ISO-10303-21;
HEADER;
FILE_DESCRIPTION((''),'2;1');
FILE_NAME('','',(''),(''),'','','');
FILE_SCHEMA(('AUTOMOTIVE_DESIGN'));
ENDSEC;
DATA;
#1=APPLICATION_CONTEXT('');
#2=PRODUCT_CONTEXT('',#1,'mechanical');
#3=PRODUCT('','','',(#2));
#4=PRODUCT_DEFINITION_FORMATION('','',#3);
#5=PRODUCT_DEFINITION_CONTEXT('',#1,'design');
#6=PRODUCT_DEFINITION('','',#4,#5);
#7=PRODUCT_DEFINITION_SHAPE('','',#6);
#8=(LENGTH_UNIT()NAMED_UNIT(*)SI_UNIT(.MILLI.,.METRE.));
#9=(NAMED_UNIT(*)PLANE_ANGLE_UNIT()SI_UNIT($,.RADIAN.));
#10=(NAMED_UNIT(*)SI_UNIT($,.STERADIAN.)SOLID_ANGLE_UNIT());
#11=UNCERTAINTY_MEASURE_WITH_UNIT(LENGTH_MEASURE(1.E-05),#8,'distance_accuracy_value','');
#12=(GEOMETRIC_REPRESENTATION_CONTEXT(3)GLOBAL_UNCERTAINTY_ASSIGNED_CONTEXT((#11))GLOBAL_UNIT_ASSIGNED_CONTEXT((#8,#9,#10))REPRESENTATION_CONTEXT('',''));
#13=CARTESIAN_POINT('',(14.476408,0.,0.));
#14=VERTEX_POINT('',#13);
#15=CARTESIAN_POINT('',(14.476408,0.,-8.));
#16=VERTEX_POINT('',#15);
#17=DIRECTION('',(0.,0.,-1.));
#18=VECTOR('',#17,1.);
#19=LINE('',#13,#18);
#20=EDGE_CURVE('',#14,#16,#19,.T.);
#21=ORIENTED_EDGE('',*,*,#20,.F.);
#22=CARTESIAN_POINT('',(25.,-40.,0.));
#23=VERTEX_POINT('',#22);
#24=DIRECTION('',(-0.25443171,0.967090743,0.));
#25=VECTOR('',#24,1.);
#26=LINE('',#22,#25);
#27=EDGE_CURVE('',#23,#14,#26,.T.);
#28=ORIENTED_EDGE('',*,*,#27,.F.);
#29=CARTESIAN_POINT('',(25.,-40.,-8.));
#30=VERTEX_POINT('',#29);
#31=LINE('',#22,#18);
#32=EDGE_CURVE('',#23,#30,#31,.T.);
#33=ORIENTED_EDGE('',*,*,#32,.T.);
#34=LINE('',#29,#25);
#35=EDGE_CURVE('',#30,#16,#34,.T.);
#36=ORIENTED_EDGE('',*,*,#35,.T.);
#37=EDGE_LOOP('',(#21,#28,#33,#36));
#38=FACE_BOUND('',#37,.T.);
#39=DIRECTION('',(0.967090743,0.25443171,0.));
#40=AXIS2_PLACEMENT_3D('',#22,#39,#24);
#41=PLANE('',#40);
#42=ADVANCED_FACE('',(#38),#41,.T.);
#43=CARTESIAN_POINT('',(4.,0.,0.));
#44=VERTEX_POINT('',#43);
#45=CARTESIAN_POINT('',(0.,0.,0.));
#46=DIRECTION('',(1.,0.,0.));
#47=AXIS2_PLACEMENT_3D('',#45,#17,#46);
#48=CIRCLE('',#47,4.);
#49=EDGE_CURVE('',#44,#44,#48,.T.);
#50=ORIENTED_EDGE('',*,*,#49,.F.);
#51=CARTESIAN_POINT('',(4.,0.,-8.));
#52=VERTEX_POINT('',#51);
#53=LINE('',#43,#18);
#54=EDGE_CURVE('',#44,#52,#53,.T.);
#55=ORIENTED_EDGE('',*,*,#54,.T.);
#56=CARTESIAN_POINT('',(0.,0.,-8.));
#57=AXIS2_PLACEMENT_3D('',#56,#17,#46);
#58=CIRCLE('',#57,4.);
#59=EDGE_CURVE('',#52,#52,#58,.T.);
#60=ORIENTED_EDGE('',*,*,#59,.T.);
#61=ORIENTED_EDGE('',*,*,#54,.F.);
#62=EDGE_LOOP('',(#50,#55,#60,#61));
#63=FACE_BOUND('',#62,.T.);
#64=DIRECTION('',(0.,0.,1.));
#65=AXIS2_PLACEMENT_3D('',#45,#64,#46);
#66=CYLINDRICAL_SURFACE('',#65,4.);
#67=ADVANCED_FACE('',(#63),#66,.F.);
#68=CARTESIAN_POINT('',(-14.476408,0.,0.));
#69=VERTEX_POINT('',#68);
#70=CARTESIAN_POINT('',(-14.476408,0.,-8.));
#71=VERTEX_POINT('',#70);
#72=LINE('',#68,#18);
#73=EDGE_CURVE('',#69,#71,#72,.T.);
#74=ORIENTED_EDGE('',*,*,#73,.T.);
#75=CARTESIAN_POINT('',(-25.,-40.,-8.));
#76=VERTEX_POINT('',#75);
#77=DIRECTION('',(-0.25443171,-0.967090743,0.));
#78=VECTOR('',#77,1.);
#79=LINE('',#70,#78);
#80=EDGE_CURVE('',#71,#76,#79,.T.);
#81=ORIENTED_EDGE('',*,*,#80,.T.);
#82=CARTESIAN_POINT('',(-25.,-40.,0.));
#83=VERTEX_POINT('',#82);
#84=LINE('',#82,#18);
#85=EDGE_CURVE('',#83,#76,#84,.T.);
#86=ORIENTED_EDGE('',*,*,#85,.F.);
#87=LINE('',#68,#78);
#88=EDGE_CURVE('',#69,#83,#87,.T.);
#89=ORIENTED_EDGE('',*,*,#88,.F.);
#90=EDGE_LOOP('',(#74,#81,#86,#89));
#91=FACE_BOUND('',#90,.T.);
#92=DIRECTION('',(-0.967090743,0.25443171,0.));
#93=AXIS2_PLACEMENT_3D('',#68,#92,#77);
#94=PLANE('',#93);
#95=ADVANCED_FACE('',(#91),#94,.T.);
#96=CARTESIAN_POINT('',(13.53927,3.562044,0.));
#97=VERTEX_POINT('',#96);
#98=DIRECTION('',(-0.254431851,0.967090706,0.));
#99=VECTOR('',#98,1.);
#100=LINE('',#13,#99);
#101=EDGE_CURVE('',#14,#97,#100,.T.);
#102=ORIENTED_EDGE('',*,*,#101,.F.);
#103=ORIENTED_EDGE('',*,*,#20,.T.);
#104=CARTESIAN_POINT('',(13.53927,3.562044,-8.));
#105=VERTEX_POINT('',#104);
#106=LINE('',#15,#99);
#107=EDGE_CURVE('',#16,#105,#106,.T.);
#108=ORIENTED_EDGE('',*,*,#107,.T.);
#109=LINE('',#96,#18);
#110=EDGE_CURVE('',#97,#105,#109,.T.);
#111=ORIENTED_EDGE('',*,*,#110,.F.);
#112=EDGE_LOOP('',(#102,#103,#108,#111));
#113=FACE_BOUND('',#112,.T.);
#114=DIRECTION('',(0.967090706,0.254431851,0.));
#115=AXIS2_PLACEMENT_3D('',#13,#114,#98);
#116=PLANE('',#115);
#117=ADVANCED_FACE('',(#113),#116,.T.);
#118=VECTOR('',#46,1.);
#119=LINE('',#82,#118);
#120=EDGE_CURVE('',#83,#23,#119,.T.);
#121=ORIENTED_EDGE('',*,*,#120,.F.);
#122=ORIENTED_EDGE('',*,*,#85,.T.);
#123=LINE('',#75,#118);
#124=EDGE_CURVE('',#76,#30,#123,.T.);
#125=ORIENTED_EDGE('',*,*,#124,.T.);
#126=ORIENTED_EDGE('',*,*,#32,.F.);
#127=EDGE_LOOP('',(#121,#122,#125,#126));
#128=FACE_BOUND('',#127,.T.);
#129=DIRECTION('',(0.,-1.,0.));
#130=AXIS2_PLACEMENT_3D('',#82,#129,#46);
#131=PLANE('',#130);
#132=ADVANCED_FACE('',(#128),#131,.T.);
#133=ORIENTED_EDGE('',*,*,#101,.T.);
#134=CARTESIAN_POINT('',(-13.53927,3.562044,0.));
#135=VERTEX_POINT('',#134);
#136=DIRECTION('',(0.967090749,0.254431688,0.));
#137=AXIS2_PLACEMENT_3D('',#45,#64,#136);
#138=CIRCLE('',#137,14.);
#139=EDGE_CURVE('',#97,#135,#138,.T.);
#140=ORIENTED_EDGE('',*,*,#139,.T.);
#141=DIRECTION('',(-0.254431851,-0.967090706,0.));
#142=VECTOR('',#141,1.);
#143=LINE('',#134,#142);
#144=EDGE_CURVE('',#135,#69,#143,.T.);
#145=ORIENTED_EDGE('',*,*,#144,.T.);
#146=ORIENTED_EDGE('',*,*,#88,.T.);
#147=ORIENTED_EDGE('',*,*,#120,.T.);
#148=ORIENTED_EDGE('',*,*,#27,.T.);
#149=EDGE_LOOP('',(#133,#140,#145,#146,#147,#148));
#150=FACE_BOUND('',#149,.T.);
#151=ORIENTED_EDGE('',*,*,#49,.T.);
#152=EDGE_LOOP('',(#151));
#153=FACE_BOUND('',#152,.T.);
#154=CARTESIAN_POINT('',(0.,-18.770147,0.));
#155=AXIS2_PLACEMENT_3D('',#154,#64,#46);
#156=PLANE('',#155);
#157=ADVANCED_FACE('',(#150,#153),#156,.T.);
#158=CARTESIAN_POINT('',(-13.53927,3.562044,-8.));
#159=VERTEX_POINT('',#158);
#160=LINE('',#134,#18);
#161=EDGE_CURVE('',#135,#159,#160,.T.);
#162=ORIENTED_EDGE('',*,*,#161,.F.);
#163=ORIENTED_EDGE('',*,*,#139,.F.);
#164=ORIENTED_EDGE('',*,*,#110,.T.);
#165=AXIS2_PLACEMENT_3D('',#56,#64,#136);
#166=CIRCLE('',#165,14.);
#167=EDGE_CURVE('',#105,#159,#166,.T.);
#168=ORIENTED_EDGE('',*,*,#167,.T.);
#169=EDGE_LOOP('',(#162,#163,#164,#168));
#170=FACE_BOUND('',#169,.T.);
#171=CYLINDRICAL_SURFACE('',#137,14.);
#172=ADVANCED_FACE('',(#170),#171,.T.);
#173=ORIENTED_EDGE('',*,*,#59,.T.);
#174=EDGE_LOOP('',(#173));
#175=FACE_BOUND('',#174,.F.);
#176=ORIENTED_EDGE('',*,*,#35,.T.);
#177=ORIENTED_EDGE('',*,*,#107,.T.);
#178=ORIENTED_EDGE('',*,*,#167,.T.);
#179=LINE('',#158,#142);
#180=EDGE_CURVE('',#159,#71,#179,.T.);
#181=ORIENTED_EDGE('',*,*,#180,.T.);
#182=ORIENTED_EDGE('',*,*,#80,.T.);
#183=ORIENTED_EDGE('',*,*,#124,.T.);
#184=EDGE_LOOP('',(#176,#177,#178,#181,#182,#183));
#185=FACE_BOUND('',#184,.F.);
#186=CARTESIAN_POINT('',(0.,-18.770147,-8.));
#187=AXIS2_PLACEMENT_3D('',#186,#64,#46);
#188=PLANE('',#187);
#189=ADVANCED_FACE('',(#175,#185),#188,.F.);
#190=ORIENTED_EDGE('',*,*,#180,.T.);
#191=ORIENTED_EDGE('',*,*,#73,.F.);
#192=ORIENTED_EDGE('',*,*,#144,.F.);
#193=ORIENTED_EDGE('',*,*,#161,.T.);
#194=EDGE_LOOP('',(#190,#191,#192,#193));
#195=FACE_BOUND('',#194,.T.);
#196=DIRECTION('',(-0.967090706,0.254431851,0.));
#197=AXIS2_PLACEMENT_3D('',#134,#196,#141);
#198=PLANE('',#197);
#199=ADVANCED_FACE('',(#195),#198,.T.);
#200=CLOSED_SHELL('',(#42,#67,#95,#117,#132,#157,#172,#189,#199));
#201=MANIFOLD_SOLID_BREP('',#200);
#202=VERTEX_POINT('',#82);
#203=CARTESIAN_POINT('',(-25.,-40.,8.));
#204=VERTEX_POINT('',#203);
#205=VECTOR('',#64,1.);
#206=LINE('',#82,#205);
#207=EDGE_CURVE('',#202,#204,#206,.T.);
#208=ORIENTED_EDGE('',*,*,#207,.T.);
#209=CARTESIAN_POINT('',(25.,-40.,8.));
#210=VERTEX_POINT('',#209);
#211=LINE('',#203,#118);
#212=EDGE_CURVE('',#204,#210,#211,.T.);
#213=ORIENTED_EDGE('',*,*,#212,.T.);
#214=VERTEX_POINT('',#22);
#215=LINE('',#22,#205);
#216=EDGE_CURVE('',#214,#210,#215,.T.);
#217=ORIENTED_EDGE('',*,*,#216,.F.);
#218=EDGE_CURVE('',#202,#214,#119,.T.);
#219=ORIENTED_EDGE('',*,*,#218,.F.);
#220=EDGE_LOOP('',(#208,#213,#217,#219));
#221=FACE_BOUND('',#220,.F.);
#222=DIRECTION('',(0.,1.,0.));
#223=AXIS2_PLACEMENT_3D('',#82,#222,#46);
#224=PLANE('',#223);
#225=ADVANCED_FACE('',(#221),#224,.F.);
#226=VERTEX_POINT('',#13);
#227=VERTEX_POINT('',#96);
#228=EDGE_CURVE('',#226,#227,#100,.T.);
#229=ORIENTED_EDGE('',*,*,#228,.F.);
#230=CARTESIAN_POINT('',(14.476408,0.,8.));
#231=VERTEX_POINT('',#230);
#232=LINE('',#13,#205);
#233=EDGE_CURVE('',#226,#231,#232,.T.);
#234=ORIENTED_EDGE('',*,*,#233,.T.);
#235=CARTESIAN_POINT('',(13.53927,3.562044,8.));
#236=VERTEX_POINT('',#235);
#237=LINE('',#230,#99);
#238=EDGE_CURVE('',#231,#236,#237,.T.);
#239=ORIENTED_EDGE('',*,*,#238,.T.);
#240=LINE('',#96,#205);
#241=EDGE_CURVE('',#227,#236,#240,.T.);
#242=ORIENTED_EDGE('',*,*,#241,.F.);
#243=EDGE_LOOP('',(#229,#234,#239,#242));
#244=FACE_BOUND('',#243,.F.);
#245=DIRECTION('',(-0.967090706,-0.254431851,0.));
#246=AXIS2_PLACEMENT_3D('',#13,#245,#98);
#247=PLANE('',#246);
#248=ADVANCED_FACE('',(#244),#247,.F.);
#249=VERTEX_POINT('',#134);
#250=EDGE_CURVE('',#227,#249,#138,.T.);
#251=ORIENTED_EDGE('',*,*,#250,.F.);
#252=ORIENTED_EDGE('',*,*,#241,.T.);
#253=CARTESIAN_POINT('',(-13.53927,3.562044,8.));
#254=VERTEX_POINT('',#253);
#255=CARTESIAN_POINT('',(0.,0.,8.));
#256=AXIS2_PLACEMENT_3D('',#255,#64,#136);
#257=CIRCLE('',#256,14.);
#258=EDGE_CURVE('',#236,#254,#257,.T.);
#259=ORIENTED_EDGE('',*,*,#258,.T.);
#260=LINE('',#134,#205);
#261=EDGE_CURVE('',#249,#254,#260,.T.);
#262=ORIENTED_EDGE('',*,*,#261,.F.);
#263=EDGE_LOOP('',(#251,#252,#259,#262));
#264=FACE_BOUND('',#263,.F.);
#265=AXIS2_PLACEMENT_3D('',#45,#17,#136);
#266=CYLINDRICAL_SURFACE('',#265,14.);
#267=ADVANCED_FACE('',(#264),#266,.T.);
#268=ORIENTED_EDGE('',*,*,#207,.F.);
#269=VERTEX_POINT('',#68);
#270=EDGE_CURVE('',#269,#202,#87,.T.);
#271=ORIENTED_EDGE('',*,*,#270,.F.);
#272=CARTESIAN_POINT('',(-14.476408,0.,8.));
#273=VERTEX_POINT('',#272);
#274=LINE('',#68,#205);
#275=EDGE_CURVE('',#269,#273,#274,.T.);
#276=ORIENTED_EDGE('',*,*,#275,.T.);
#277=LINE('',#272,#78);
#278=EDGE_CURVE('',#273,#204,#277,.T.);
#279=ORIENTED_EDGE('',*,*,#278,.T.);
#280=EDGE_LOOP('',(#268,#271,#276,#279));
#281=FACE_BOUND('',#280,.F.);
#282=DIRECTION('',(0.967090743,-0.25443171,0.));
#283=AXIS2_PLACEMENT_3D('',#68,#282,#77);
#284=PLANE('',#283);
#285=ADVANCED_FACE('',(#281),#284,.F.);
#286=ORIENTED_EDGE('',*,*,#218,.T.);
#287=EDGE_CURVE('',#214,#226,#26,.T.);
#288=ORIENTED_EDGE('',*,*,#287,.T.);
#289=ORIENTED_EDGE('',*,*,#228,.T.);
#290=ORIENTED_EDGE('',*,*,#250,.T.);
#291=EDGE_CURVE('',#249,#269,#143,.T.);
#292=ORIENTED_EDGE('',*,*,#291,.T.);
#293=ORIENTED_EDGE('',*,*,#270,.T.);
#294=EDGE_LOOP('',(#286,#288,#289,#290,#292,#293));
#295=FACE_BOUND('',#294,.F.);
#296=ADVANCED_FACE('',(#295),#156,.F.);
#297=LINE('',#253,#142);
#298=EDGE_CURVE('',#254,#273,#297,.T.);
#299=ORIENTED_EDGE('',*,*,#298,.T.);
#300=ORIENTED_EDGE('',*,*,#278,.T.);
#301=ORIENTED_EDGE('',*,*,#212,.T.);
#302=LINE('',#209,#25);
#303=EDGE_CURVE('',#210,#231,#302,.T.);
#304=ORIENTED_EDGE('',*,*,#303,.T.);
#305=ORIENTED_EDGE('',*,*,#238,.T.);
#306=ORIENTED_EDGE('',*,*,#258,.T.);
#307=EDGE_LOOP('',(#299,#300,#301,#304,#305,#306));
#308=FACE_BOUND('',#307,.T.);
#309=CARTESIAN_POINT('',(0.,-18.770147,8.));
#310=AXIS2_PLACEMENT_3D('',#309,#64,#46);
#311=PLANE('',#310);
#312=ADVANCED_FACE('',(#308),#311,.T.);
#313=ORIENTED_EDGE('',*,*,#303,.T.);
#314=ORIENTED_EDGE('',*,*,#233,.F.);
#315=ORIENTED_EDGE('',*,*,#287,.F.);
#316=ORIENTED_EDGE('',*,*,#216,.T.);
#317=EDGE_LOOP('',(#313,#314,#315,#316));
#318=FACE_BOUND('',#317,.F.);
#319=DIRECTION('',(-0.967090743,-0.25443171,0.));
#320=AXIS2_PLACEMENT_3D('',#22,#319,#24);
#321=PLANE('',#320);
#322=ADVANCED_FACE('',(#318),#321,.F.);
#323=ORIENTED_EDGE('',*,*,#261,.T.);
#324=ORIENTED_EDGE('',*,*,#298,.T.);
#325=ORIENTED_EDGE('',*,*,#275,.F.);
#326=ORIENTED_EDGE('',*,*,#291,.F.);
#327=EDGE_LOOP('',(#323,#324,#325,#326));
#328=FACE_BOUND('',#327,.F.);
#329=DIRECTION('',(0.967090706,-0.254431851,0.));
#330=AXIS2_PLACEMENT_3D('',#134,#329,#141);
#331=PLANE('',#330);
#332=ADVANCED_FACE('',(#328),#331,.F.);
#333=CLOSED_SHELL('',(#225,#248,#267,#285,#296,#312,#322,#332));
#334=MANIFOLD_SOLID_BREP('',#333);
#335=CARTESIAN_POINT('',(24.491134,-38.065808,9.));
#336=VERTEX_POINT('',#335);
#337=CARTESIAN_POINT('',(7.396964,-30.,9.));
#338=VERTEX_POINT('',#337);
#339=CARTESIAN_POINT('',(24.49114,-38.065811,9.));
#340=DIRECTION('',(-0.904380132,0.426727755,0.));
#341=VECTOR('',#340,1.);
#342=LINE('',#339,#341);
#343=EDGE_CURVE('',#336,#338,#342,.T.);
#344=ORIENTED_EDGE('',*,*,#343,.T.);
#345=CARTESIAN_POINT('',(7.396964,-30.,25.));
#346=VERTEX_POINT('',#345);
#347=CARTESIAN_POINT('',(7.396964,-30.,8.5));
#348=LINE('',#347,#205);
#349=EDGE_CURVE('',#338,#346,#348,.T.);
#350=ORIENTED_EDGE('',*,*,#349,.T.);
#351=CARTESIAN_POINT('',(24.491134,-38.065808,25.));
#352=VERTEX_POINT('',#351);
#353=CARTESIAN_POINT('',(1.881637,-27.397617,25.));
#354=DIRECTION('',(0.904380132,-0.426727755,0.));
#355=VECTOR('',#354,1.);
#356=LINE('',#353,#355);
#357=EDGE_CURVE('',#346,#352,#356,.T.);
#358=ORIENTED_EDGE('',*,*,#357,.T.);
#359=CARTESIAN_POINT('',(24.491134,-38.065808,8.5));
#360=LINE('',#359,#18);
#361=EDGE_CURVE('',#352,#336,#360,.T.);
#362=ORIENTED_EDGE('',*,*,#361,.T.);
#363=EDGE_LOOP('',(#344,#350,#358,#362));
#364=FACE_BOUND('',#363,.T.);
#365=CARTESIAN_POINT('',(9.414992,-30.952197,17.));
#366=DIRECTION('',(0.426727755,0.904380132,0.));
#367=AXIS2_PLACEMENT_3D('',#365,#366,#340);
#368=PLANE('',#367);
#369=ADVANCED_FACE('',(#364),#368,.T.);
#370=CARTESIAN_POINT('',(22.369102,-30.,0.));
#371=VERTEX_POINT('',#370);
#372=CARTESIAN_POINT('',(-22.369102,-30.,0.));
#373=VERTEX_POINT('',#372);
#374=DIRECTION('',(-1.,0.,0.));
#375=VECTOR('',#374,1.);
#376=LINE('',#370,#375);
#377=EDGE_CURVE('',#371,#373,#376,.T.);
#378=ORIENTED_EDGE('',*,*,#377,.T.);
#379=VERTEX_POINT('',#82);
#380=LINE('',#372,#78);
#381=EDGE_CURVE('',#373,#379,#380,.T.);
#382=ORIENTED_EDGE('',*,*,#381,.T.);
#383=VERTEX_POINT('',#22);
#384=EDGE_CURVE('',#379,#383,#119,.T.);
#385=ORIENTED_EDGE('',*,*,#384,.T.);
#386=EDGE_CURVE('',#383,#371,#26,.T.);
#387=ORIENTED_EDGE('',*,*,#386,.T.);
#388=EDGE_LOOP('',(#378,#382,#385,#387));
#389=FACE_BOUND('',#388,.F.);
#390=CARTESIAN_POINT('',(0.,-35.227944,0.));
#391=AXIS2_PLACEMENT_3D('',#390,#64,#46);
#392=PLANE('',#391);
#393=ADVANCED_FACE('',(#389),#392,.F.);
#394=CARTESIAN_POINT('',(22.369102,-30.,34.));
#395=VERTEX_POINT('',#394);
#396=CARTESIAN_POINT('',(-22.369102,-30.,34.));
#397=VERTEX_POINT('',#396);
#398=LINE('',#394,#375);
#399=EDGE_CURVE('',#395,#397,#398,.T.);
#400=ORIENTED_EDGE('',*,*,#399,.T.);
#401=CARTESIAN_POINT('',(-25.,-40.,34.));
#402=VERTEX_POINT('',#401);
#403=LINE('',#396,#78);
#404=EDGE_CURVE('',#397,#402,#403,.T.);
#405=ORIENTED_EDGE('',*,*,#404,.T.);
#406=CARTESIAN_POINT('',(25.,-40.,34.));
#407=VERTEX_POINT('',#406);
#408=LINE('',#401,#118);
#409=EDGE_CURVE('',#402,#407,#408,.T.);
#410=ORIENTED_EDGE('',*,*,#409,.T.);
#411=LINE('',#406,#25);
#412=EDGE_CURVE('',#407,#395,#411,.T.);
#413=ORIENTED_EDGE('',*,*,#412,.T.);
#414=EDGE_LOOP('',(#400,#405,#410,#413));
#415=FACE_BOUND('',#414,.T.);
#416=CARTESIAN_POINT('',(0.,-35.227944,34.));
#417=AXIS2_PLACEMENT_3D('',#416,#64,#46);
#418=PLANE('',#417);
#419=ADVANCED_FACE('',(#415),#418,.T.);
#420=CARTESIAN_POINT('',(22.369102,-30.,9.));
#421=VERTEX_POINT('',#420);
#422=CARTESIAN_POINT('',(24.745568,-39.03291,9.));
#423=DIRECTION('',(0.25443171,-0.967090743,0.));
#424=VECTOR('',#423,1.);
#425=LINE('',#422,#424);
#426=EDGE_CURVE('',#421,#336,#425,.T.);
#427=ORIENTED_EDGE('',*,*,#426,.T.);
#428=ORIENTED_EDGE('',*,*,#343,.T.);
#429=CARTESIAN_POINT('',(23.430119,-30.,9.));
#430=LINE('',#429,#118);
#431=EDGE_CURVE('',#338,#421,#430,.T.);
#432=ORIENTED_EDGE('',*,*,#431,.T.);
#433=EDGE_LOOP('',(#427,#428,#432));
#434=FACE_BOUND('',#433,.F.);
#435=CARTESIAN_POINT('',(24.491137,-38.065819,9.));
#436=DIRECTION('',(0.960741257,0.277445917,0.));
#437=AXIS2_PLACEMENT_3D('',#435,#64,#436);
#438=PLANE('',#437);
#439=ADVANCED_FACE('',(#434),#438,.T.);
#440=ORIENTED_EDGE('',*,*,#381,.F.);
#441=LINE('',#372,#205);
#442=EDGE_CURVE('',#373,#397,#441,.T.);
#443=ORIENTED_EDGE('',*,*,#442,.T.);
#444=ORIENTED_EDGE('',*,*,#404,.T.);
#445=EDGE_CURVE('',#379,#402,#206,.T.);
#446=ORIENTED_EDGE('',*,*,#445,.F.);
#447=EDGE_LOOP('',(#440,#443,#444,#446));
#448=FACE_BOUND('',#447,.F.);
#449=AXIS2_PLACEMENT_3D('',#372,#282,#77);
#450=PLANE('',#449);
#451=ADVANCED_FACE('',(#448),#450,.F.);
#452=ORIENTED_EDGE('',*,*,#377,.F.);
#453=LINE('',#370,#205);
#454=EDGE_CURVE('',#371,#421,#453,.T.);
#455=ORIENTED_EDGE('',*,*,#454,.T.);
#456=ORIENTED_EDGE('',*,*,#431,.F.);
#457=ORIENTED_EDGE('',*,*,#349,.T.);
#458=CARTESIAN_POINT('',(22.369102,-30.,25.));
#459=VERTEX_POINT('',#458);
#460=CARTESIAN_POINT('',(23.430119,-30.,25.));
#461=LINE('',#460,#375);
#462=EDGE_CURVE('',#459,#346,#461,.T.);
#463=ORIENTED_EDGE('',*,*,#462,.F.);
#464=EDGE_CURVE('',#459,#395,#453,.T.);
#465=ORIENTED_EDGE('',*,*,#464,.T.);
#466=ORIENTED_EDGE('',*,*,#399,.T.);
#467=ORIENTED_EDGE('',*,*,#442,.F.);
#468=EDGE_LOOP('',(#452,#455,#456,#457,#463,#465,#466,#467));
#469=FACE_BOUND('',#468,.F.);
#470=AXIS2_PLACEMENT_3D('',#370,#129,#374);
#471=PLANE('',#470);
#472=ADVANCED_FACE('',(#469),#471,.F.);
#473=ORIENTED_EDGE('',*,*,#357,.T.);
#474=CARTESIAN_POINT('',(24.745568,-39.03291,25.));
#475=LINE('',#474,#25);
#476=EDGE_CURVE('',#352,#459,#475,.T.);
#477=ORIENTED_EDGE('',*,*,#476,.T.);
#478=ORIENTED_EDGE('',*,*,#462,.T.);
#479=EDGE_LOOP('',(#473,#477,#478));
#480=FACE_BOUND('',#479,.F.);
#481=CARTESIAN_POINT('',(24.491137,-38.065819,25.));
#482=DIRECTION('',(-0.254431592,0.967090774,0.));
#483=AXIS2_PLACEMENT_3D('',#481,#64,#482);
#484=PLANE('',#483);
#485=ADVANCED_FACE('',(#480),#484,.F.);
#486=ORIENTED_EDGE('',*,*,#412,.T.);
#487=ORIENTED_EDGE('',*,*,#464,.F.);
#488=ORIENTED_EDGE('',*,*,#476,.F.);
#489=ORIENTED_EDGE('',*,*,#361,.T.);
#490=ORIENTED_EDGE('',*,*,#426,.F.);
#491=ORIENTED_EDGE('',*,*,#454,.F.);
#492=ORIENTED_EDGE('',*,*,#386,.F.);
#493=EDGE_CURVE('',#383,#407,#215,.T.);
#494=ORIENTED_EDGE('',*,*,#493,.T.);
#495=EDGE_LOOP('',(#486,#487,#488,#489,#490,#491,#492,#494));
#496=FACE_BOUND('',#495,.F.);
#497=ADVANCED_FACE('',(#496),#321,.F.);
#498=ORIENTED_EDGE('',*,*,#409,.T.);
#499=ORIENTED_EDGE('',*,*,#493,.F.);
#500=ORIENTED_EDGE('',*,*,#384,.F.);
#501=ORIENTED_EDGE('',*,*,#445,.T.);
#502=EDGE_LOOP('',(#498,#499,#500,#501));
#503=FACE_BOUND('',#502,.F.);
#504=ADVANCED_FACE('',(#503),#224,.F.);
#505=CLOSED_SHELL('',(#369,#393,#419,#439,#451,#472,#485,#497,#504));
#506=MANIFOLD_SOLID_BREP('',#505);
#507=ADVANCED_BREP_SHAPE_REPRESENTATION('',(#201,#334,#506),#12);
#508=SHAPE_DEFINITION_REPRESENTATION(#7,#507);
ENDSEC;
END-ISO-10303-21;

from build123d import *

# Parameters (mm, degrees)
F1_DEPTH = 8
F3_DEPTH = 8
F5_DEPTH = 34
F6_W     = 16.659708
F6_H     = 16
F6_W_2   = 8.340292
F7_ANGLE = -50


with BuildPart() as f1:
    # F0 (on Top) → F1 (new body)
    with BuildSketch(Plane.XY):
        with BuildLine():
            Line((14.476408, 0), (13.53927, 3.562044))
            ThreePointArc((13.53927, 3.562044), (0, 14), (-13.53927, 3.562044))
            Line((-13.53927, 3.562044), (-14.476408, 0))
            Line((-14.476408, 0), (-25, -40))
            Line((-25, -40), (25, -40))
            Line((25, -40), (14.476408, 0))
        make_face()
        with BuildLine():
            ThreePointArc((-4, 0), (0, 4), (4, 0))
            ThreePointArc((4, 0), (0, -4), (-4, 0))
        make_face(mode=Mode.SUBTRACT)
    extrude(amount=-F1_DEPTH)


with BuildPart() as f3:
    # F2 (on Top) → F3 (new body)
    with BuildSketch(Plane.XY):
        with BuildLine():
            Line((14.476408, 0), (13.53927, 3.562044))
            ThreePointArc((13.53927, 3.562044), (0, 14), (-13.53927, 3.562044))
            Line((-13.53927, 3.562044), (-14.476408, 0))
            Line((-14.476408, 0), (-25, -40))
            Line((-25, -40), (25, -40))
            Line((25, -40), (14.476408, 0))
        make_face()
    extrude(amount=F3_DEPTH)


with BuildPart() as f5:
    # F4 (on face) → F5 (new body)
    with BuildSketch(Plane.XY):
        Polygon((-22.369102, -30), (-25, -40), (25, -40), (22.369102, -30), align=None)
    extrude(amount=F5_DEPTH)

    # F6 (on face) → F7 (revolve, cut)
    with BuildSketch(Plane(origin=(13.53927, 3.562044, 0), x_dir=(-0.254432, 0.967091, 0), z_dir=(0.967091, 0.254432, 0))):
        with Locations((-26.374277, 17)):
            Rectangle(F6_W, F6_H)
        with Locations((-38.874277, 17)):
            Rectangle(F6_W_2, F6_H)
    revolve(axis=Axis((24.491137, -38.065819, 17), (0, 0, -1)), revolution_arc=F7_ANGLE, mode=Mode.SUBTRACT)


solid = Compound([f1.part, f3.part, f5.part])
